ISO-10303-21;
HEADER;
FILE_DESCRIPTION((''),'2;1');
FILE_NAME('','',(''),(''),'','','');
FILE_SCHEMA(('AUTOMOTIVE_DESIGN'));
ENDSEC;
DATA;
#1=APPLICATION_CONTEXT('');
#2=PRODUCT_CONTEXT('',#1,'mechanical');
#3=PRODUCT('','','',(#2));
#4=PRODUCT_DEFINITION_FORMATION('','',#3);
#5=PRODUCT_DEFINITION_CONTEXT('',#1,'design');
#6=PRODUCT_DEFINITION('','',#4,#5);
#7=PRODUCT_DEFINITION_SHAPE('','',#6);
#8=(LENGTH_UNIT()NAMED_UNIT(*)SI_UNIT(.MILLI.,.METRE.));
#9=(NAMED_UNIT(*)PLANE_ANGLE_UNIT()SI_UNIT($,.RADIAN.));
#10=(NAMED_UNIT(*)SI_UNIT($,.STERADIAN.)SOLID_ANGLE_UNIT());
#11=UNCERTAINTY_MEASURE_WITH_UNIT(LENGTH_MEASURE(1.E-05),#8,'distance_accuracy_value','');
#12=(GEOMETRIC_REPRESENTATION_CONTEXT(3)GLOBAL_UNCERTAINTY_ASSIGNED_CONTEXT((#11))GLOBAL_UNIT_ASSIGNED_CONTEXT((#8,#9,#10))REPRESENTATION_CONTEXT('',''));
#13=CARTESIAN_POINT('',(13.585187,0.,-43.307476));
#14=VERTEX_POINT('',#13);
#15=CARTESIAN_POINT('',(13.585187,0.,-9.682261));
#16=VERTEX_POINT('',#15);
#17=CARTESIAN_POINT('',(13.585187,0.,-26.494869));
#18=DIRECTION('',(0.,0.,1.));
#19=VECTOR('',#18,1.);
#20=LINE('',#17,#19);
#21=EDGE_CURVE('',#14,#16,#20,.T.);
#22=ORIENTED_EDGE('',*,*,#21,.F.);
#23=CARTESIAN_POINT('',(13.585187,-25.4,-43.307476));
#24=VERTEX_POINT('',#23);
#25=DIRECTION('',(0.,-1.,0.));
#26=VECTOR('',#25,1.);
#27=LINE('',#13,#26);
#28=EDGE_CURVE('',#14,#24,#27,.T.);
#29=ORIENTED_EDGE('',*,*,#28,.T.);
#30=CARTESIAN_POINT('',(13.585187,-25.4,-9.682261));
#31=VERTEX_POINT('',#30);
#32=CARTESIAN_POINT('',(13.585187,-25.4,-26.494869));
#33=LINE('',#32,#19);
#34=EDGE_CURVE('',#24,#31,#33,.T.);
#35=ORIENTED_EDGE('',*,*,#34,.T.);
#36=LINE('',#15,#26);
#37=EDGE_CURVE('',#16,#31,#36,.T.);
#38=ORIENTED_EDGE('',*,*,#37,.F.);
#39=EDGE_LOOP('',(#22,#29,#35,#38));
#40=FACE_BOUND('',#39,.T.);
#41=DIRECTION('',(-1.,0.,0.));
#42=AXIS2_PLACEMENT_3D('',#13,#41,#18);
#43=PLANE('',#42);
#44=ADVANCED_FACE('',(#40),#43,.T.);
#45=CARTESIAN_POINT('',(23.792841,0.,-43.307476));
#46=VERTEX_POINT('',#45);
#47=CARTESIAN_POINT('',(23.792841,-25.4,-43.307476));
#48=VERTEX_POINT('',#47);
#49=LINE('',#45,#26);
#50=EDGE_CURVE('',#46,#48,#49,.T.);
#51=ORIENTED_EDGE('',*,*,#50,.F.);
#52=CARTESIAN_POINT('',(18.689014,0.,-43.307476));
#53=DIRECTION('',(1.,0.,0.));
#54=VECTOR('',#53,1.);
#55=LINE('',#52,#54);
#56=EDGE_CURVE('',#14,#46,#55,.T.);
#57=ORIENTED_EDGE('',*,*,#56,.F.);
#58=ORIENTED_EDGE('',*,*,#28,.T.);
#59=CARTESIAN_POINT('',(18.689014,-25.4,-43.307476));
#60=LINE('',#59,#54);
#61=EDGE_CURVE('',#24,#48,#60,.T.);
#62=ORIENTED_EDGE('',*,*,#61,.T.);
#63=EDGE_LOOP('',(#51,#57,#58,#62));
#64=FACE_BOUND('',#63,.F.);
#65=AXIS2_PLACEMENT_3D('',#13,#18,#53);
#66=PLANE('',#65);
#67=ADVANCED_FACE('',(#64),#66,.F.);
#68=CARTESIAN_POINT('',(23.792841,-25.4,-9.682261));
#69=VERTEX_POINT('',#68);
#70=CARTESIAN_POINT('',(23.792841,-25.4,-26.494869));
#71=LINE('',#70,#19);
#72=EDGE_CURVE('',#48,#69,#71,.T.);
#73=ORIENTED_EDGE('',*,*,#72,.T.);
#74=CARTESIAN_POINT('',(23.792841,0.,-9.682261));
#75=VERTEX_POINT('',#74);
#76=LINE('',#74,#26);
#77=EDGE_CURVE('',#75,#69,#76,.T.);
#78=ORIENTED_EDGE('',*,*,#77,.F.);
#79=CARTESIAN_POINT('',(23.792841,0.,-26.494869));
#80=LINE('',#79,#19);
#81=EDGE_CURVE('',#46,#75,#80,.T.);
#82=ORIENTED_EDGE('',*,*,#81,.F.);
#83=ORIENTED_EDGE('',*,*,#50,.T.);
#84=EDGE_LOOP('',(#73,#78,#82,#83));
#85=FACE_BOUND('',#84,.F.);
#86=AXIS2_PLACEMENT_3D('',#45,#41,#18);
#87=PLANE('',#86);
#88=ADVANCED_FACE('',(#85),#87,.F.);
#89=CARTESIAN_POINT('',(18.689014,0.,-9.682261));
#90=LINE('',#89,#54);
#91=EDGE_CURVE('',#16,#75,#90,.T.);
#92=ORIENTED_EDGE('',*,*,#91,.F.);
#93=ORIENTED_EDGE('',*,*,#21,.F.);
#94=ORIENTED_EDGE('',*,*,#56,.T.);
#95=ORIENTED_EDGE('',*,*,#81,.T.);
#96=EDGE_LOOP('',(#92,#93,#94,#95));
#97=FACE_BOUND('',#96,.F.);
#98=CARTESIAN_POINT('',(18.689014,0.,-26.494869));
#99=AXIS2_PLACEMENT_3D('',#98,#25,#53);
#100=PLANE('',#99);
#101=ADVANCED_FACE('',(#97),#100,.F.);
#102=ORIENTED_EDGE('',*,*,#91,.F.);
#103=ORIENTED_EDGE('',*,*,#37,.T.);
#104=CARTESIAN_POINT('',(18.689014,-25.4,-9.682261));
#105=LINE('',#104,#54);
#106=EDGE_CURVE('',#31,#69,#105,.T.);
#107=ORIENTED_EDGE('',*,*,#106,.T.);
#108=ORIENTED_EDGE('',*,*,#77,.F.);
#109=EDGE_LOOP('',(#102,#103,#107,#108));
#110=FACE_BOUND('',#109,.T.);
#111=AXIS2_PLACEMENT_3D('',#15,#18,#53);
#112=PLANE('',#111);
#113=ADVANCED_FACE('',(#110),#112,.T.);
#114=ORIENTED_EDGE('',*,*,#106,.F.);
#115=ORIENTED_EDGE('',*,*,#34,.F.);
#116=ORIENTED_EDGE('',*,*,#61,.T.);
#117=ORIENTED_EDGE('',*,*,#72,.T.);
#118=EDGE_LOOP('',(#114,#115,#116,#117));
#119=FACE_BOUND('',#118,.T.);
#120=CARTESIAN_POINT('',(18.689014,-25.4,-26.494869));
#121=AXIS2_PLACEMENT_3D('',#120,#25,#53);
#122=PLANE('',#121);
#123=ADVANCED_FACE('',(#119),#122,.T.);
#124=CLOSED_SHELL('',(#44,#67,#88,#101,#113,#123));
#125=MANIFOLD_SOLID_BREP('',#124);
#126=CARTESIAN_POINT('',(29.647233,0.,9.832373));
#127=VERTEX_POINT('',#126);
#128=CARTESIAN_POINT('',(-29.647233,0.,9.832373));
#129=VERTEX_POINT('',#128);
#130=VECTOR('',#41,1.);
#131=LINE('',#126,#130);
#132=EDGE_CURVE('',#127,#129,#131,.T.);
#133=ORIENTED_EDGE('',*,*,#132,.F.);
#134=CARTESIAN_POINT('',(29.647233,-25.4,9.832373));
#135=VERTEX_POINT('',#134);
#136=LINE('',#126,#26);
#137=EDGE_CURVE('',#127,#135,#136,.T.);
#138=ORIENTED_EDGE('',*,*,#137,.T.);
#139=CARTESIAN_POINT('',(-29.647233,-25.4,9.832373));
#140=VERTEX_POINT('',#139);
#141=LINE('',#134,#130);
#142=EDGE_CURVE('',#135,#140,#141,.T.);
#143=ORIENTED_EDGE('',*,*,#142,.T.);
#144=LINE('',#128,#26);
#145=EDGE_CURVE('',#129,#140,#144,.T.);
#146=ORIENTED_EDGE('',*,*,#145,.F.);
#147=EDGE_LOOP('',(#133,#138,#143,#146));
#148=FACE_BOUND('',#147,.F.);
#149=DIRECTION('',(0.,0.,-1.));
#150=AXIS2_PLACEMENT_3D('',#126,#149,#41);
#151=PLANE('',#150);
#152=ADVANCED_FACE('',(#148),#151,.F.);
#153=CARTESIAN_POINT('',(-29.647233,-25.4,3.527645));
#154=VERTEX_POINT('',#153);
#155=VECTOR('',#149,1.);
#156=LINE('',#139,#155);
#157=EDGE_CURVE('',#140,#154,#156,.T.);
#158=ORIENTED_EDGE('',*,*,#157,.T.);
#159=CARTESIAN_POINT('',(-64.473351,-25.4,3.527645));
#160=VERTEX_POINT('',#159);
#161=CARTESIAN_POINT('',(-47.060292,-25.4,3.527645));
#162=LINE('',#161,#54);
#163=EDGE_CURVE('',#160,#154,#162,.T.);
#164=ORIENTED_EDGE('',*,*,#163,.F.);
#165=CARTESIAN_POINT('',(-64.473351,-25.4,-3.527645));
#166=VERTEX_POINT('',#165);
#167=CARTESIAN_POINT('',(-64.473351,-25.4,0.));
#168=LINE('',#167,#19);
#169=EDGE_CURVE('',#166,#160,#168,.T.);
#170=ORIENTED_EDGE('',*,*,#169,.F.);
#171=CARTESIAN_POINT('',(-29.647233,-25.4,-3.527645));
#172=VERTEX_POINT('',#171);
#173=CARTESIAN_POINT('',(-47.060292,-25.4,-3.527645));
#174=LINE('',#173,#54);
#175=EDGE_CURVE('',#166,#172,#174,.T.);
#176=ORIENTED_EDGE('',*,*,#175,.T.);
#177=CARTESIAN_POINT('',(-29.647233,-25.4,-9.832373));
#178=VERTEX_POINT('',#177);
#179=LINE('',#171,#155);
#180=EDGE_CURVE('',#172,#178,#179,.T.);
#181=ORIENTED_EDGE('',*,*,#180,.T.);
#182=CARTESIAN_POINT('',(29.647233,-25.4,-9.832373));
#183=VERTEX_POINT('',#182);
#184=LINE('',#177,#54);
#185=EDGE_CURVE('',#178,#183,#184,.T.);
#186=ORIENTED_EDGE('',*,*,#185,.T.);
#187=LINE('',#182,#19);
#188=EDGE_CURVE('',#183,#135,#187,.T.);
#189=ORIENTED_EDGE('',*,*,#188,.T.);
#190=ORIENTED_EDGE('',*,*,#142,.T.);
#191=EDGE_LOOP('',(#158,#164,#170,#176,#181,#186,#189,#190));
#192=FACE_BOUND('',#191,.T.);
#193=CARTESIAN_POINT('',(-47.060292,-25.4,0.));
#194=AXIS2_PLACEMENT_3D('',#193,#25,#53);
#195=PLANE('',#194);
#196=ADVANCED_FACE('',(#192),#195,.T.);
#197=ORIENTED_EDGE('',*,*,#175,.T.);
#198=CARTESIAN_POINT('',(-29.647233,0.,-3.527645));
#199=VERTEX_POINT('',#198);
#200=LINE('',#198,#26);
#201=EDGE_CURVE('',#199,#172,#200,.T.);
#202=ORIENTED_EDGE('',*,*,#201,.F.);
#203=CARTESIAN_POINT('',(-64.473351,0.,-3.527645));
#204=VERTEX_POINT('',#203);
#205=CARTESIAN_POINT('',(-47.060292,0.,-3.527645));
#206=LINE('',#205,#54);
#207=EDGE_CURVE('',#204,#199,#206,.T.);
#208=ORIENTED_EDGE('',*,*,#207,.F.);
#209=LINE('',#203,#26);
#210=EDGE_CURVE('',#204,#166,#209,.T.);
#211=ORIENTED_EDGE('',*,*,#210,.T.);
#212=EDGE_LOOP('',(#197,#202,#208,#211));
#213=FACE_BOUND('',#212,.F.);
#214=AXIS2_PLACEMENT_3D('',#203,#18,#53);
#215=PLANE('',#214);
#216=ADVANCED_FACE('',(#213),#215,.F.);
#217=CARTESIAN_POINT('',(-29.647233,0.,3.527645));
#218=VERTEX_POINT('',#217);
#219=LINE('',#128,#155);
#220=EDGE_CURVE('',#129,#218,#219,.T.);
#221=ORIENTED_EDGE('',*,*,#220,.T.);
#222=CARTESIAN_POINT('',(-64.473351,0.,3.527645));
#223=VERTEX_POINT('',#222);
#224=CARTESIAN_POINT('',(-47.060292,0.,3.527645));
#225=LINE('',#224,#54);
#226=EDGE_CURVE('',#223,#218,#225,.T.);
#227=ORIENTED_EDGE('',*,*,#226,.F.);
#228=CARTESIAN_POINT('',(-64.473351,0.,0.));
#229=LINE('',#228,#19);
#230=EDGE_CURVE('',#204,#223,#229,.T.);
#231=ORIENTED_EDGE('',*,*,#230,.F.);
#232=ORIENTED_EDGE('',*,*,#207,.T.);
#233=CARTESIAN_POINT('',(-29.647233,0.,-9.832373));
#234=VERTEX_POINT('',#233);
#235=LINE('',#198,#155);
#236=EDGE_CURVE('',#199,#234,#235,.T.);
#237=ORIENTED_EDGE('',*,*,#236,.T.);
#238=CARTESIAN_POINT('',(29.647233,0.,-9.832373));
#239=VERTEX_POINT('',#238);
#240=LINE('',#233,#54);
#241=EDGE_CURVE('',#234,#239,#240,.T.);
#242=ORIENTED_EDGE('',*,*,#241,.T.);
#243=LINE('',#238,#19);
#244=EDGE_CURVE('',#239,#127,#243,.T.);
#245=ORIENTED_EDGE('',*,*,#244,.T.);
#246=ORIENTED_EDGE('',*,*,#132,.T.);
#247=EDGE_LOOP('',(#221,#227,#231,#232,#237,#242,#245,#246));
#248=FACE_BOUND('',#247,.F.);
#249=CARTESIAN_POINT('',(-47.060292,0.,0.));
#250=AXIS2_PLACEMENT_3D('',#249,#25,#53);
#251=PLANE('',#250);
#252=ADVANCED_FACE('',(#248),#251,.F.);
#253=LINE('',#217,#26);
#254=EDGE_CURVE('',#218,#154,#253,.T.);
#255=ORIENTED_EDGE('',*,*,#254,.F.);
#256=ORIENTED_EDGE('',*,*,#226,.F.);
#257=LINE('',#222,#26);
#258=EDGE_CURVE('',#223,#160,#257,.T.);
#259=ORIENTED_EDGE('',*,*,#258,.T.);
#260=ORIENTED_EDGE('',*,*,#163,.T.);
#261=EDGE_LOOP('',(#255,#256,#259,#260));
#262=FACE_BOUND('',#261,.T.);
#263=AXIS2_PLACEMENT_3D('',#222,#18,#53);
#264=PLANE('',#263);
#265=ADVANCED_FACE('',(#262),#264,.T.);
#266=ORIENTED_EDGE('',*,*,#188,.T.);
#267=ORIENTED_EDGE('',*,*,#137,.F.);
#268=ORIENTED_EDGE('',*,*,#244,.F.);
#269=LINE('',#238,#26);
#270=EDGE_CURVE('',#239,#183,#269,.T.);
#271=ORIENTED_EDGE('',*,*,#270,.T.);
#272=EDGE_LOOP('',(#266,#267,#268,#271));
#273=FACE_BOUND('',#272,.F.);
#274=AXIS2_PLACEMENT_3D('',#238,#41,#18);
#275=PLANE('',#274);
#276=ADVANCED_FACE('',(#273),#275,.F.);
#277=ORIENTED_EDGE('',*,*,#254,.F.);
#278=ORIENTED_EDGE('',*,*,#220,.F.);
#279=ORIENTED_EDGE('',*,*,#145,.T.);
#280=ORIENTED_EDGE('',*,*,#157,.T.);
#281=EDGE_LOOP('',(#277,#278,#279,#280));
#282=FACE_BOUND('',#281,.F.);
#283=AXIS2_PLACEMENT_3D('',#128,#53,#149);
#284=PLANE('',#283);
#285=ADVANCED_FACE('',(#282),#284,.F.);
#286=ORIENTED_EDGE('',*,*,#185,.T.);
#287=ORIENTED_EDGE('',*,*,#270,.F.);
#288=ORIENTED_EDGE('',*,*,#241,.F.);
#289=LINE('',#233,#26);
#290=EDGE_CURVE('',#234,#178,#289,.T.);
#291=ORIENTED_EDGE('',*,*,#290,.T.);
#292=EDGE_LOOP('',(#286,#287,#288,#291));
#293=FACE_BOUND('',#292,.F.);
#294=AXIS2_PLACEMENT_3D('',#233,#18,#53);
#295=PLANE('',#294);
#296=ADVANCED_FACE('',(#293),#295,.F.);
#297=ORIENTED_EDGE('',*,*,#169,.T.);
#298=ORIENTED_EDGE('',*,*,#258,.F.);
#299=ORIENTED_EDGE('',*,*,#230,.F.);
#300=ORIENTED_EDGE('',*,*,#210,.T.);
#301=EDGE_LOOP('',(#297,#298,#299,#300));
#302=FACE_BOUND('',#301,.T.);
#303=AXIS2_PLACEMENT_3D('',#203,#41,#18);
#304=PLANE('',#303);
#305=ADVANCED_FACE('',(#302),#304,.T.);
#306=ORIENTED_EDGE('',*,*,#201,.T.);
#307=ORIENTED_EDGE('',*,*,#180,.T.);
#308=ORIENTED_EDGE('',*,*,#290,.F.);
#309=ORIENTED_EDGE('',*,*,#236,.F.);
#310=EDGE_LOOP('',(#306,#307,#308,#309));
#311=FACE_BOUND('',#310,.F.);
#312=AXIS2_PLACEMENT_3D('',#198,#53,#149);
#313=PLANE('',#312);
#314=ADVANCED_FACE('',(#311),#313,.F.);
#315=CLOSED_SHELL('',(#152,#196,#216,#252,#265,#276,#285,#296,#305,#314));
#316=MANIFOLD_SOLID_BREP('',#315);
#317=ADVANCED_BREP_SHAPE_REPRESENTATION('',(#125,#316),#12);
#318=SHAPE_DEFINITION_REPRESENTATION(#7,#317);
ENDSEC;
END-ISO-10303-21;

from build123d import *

# Parameters (mm, degrees)
F0_W     = 34.826118499
F0_H     = 7.055290509
F2_DEPTH = 25.4
F1_W     = 10.207653977
F1_H     = 33.6252143607


with BuildPart() as f2:
    # F0 (on Front) → F2 (new body)
    with BuildSketch(Plane.XZ):
        with Locations((-47.0602922142, 0)):
            Rectangle(F0_W, F0_H)
        Polygon((29.6472329646, 9.8323728889), (-29.6472329646, 9.8323728889), (-29.6472329646, 3.5276452545), (-29.6472329646, -3.5276452545), (-29.6472329646, -9.8323728889), (29.6472329646, -9.8323728889), align=None)
    extrude(amount=F2_DEPTH)


with BuildPart() as f2b:
    # F1 (on Front) → F2, piece 2 (new body)
    with BuildSketch(Plane.XZ):
        with Locations((18.6890135519, -26.4948685654)):
            Rectangle(F1_W, F1_H)
    extrude(amount=F2_DEPTH)


solid = Compound([f2.part, f2b.part])
